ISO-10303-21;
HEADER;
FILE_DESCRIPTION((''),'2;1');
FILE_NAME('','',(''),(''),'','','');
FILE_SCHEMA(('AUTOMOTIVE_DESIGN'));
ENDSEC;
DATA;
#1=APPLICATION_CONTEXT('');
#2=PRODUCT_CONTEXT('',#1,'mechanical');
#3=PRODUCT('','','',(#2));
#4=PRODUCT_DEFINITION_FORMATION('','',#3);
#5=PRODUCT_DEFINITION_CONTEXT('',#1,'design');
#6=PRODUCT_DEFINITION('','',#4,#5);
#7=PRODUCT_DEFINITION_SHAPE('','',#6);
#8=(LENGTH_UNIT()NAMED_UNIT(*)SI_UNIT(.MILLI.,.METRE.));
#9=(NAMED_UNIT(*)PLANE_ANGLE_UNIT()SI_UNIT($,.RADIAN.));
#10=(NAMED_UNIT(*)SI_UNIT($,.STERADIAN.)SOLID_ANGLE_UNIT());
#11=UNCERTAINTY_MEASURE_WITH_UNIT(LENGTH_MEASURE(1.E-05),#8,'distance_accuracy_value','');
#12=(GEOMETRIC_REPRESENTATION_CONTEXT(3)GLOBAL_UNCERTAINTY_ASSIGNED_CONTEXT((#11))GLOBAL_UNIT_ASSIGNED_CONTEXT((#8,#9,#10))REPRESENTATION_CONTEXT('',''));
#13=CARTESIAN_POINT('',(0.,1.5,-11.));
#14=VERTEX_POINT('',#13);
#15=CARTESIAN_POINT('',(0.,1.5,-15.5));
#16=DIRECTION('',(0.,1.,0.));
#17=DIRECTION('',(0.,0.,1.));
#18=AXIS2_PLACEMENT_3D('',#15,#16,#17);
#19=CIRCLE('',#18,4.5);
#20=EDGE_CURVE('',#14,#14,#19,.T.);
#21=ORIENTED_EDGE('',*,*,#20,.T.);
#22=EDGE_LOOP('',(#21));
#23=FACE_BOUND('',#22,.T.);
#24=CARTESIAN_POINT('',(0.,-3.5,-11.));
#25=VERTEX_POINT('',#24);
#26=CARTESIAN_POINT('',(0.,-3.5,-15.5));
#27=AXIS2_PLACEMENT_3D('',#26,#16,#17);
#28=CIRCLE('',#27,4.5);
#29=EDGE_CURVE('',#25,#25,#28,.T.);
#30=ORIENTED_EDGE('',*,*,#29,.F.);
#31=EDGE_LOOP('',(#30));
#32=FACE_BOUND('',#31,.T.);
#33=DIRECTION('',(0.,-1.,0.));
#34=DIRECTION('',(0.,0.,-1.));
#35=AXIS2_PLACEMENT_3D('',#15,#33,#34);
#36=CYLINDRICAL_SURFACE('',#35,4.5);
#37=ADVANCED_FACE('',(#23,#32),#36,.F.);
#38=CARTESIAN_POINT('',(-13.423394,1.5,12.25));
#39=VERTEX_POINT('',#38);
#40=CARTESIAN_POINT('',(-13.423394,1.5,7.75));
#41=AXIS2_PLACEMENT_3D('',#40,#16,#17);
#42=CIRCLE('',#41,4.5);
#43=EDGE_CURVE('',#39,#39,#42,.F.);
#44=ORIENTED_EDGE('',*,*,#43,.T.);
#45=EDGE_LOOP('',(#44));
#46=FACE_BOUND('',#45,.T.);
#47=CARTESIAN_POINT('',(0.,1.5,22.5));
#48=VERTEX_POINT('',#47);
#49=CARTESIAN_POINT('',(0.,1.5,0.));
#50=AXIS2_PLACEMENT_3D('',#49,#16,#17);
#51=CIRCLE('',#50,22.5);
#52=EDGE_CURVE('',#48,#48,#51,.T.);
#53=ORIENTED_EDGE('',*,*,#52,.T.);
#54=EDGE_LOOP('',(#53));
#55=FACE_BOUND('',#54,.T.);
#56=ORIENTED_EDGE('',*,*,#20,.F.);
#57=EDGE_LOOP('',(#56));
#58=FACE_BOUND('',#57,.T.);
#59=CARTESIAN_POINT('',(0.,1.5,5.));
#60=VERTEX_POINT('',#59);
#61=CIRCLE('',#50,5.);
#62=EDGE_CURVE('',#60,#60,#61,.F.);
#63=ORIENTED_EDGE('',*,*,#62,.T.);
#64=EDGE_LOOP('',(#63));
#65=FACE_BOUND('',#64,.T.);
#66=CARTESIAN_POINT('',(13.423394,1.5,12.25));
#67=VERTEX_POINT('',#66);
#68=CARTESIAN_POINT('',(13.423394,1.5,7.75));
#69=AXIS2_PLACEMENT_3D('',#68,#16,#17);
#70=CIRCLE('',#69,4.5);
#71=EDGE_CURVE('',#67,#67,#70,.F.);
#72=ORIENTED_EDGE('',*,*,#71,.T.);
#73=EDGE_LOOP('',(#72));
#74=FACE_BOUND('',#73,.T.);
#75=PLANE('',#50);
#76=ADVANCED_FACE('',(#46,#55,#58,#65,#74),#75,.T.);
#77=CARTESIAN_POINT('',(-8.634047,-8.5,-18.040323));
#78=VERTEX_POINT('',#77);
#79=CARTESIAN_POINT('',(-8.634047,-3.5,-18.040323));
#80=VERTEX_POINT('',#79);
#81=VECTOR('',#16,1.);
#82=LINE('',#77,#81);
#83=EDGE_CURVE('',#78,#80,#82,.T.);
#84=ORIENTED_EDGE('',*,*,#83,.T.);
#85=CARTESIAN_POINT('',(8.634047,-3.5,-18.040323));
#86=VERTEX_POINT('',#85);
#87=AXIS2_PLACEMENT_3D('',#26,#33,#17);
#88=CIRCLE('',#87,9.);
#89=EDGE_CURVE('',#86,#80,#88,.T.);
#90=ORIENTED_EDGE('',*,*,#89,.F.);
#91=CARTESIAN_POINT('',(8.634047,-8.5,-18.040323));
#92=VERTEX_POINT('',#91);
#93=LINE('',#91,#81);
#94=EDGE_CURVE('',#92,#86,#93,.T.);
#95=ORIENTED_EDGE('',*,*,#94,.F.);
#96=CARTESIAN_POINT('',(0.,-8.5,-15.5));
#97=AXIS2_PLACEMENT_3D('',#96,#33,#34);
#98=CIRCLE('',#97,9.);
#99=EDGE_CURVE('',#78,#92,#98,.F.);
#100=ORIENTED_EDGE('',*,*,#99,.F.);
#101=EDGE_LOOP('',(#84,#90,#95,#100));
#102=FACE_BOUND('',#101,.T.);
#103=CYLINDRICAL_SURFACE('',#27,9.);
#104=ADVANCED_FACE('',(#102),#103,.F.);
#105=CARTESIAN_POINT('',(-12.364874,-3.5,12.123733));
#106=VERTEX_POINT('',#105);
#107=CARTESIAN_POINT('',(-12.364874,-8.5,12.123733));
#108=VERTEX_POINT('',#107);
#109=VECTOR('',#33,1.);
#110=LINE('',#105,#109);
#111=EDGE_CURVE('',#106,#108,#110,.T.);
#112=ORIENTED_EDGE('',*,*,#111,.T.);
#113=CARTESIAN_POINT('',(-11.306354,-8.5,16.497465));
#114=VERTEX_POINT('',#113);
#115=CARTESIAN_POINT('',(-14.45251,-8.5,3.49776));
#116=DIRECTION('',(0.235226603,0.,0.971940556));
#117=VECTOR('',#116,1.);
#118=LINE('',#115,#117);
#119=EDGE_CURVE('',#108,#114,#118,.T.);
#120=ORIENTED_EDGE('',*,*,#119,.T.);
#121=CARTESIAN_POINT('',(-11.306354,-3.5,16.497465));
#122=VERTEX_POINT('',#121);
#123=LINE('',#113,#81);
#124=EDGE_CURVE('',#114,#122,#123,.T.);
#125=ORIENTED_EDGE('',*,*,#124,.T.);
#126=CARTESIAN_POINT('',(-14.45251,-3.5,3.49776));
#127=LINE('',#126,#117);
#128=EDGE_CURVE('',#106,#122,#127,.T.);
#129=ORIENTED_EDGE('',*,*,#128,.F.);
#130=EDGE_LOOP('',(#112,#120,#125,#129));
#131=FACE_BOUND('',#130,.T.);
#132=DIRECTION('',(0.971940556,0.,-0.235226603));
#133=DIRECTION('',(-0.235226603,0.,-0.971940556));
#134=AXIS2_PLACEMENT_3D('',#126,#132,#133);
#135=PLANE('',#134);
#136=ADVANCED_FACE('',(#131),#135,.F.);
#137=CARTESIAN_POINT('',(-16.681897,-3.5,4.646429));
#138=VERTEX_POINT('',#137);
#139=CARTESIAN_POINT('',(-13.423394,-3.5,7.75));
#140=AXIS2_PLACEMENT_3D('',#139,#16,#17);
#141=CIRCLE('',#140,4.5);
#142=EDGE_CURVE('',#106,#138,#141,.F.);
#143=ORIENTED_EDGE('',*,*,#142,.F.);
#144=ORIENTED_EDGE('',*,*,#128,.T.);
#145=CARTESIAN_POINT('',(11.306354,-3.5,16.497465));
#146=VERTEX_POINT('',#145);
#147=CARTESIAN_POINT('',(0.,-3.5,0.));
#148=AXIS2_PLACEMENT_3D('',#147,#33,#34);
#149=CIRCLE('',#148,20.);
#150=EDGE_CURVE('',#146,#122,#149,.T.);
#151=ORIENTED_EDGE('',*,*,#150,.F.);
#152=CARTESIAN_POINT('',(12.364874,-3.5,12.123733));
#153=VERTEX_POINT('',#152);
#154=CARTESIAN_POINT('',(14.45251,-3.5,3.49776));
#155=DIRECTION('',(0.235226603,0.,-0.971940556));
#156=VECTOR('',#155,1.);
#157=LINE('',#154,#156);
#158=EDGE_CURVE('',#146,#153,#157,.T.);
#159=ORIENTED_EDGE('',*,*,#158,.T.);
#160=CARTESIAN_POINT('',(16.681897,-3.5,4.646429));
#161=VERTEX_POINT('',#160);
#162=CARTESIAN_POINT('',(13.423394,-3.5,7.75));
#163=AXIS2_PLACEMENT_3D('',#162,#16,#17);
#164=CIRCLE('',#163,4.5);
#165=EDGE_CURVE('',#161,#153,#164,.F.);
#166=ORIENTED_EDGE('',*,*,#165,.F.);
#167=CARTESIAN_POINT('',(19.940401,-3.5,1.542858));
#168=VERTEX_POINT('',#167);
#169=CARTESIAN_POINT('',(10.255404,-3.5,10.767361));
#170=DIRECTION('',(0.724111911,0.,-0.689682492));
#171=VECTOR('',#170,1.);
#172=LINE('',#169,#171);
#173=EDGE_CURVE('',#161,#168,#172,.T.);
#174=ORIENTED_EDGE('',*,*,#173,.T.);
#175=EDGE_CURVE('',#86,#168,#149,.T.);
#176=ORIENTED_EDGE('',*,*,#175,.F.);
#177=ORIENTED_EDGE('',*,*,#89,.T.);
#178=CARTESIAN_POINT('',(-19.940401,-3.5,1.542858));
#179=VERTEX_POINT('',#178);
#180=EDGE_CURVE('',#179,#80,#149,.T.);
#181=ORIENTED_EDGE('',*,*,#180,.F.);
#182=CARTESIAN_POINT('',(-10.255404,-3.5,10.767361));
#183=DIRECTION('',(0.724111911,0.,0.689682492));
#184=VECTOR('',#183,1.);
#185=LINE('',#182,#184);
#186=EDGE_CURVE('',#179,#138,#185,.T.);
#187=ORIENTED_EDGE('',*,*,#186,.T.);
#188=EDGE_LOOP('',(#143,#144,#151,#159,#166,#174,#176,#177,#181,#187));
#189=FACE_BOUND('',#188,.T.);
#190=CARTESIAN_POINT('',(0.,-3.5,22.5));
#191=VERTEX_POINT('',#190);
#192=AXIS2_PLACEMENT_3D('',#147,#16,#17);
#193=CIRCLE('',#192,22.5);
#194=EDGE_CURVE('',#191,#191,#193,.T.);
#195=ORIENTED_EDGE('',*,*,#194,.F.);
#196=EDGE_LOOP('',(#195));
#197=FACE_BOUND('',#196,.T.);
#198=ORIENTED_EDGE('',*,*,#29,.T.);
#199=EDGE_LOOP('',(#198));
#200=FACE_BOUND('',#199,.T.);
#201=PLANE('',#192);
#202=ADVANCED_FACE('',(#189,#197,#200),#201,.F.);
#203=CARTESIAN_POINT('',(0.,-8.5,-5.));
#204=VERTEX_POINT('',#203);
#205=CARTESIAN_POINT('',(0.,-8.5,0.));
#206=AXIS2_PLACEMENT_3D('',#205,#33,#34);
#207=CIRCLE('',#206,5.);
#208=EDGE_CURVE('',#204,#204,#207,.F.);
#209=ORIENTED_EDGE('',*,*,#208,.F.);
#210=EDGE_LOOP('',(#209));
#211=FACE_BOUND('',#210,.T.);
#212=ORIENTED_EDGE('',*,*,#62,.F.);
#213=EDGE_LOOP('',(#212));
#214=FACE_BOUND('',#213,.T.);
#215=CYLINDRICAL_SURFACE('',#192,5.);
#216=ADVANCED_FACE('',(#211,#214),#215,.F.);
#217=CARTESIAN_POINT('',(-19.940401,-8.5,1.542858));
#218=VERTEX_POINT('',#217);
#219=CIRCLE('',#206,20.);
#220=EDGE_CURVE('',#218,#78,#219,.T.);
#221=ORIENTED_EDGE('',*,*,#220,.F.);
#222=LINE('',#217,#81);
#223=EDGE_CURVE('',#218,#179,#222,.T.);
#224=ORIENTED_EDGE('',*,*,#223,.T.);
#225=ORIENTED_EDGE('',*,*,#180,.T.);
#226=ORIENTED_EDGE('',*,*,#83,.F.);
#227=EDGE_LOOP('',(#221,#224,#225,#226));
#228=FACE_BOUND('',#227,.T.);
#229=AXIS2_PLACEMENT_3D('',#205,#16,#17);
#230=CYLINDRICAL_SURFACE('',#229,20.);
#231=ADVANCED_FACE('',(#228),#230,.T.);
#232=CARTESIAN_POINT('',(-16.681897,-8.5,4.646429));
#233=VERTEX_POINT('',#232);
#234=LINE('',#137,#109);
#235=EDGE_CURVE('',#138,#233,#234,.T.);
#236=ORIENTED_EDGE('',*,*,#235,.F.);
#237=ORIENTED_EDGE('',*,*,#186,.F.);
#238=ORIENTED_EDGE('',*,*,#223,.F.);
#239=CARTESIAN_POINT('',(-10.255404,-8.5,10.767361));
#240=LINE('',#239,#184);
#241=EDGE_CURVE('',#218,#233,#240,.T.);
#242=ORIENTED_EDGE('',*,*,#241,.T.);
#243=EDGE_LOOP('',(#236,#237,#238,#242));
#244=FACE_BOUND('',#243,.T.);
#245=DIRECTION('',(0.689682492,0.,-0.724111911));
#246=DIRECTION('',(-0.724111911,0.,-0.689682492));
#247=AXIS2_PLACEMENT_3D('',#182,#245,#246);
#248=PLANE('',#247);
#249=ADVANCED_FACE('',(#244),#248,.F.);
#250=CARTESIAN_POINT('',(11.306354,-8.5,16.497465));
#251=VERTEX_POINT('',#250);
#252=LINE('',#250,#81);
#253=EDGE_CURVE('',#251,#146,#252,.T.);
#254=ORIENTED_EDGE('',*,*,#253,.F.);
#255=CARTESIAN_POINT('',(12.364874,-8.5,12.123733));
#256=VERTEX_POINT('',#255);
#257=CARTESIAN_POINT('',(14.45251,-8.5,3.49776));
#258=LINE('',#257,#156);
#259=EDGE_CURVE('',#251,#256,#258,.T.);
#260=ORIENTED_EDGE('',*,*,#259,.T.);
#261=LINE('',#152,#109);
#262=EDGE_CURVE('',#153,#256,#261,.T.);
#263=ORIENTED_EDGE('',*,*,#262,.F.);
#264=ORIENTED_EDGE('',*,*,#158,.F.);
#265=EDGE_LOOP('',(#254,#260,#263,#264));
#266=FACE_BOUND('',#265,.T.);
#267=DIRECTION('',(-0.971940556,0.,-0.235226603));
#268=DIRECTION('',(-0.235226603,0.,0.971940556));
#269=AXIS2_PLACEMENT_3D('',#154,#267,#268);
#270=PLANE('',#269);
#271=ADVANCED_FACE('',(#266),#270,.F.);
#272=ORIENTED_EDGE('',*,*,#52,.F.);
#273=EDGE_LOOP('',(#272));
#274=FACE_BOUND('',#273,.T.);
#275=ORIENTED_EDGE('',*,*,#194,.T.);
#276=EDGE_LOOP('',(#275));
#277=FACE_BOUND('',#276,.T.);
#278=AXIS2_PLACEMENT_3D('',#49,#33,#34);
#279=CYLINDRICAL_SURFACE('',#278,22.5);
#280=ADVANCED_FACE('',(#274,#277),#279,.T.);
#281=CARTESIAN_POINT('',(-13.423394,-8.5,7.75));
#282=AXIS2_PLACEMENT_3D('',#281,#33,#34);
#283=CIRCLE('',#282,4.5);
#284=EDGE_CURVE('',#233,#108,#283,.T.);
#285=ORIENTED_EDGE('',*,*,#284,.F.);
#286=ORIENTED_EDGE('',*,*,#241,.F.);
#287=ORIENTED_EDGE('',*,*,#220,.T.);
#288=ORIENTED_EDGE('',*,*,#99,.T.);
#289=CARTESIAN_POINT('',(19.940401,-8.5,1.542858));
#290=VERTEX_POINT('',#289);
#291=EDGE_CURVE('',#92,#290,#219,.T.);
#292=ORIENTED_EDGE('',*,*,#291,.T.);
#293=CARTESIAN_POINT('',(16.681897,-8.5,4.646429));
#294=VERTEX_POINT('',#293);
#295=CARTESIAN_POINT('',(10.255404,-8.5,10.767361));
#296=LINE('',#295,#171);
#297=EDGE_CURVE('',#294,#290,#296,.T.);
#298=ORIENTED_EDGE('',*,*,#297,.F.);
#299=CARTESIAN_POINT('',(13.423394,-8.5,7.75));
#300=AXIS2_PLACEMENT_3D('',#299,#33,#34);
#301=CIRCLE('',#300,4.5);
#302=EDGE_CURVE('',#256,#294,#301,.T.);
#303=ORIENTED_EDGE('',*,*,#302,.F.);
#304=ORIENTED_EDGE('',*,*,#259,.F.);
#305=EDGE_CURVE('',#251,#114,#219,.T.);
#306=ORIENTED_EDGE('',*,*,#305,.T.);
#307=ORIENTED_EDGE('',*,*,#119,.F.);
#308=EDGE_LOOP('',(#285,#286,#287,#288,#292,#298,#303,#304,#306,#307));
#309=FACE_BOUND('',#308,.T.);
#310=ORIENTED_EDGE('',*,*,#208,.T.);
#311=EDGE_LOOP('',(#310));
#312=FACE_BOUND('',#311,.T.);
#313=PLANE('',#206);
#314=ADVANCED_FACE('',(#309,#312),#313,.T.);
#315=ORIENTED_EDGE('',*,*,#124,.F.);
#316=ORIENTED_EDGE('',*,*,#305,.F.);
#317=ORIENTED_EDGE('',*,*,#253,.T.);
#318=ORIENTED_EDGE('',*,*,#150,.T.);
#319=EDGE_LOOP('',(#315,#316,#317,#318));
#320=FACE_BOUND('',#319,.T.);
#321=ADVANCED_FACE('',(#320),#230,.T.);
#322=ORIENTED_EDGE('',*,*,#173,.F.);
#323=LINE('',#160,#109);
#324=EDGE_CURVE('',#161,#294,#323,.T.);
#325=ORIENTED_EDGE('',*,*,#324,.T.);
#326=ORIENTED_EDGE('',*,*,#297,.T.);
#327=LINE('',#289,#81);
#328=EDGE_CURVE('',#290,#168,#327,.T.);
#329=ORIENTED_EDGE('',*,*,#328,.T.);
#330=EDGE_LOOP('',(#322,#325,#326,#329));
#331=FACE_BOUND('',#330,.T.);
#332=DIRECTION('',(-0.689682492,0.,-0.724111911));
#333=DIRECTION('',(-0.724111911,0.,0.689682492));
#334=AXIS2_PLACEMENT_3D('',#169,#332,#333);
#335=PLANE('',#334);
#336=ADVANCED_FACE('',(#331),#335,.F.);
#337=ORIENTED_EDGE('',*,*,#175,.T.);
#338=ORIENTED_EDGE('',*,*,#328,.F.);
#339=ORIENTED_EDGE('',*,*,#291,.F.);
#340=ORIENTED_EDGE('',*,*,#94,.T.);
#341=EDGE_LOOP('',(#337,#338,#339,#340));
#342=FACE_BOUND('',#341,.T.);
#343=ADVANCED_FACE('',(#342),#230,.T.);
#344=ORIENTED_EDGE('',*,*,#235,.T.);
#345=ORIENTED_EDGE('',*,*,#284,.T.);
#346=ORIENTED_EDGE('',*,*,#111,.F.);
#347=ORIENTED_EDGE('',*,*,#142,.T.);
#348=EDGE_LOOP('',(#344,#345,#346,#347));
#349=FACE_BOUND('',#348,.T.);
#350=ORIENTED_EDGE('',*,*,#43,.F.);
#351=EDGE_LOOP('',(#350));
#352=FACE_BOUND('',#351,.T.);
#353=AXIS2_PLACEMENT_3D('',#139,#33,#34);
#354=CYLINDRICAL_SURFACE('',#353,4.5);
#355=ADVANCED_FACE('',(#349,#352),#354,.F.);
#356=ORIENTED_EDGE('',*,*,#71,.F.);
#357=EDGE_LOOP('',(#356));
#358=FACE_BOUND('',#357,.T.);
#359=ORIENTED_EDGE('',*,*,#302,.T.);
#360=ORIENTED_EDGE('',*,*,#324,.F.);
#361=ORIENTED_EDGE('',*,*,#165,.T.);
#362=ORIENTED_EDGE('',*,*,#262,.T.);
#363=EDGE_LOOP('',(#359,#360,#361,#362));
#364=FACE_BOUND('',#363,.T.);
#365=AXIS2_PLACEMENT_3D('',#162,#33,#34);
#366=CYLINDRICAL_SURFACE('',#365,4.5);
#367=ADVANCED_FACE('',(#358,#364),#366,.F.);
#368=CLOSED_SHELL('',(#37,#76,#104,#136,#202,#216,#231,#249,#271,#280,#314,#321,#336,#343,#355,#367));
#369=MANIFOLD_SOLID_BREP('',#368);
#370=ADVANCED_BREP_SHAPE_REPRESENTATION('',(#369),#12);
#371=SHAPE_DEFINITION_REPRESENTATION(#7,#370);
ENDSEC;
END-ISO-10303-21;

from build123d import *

# Parameters (mm, degrees)
SKETCH1_R           = 22.5
BOSS_EXTRUDE1_DEPTH = 3.5
SKETCH2_R           = 9
SKETCH2_R_2         = 9.000000000000007
CUT_EXTRUDE1_DEPTH  = 33.58066911528982
SKETCH7_R           = 5
CUT_EXTRUDE2_DEPTH  = 33.58066911528982
SKETCH8_R           = 5
BOSS_EXTRUDE2_DEPTH = 5
BOSS_EXTRUDE4_START = -5
BOSS_EXTRUDE4_DEPTH = 5
CUT_EXTRUDE3_DEPTH  = 7
BOSS_EXTRUDE8_START = 5
SKETCH15_R          = 22.5
SKETCH15_R_2        = 4.5
SKETCH15_R_3        = 5
BOSS_EXTRUDE8_DEPTH = 5


with BuildPart() as part:
    # Sketch1 → Boss-Extrude1 (new, symmetric)
    with BuildSketch(Plane(origin=(0, 0, 0), x_dir=(1, 0, 0), z_dir=(0, 1, 0))):
        with Locations(Location((0, 0, 0), (0, 0, 270))):
            Circle(SKETCH1_R)
    extrude(amount=BOSS_EXTRUDE1_DEPTH, both=True)

    # Sketch2 → Cut-Extrude1 (cut, through all)
    with BuildSketch(Plane(origin=(0, 3.5, 0), x_dir=(1, 0, 0), z_dir=(0, 1, 0))):
        with Locations((4.245e-14, 15.5)):
            Circle(SKETCH2_R)
        with Locations((13.42339375865983, -7.749999999999429)):
            Circle(SKETCH2_R_2)
        with Locations((-13.423393758657767, -7.7500000000005755)):
            Circle(SKETCH2_R)
    extrude(amount=-CUT_EXTRUDE1_DEPTH, mode=Mode.SUBTRACT)

    # Sketch7 → Cut-Extrude2 (cut, through all)
    with BuildSketch(Plane(origin=(0, 3.5, 0), x_dir=(1, 0, 0), z_dir=(0, 1, 0))):
        with Locations(Location((0, 0, 0), (0, 0, 270))):
            Circle(SKETCH7_R)
    extrude(amount=-CUT_EXTRUDE2_DEPTH, mode=Mode.SUBTRACT)

    # Sketch8 → Boss-Extrude2 (add)
    with BuildSketch(Plane.XZ.offset(3.5)):
        with BuildLine():
            ThreePointArc((8.634046628681784, -18.040322580645523), (16.921597628085173, -10.661122535323484), (20, -4.9e-15))
            ThreePointArc((20, 0), (19.985094686202057, 0.7720041344048885), (19.940400961646176, 1.5428575724221159))
            ThreePointArc((19.94040096164584, 1.542857572422255), (5.629165124599421, 3.250000000000214), (11.30635433296457, 16.497465008220495))
            ThreePointArc((11.306354332964553, 16.497465008220313), (1.07592e-12, 20), (-11.306354332962771, 16.497465008221535))
            ThreePointArc((-11.30635433296279, 16.497465008221706), (-5.629165124598033, 3.250000000000197), (-19.940400961645828, 1.5428575724255662))
            ThreePointArc((-19.940400961645913, 1.542857572425538), (-17.320508075688895, -9.999999999999787), (-8.634046628681693, -18.040322580645565))
            ThreePointArc((-8.634046628682263, -18.04032258064596), (1.954e-14, -6.5000000000000036), (8.634046628682352, -18.04032258064592))
        make_face()
        with Locations(Location((0, 0, 0), (0, 0, 90))):
            Circle(SKETCH8_R, mode=Mode.SUBTRACT)
    extrude(amount=BOSS_EXTRUDE2_DEPTH)

    # Sketch9 → Boss-Extrude4 (add)
    with BuildSketch(Plane.XZ.offset(8.5).offset(BOSS_EXTRUDE4_START)):
        with BuildLine():
            Line((-16.681897360151837, 4.646428786213113), (-19.940400961645906, 1.5428575724256501))
            ThreePointArc((-19.940400961645906, 1.5428575724256497), (-5.6291651245981145, 3.250000000000062), (-11.306354332962595, 16.497465008221653))
            Line((-11.306354332962595, 16.497465008221656), (-12.364874045810183, 12.123732504111118))
            ThreePointArc((-12.364874045810181, 12.123732504111118), (-9.52627944162794, 5.50000000000032), (-16.681897360151837, 4.646428786213113))
        make_face()
        with BuildLine():
            Line((12.3648740458121, 12.123732504109935), (11.306354332964363, 16.49746500822045))
            ThreePointArc((11.306354332964363, 16.49746500822045), (5.629165124599578, 3.249999999999936), (19.940400961646137, 1.5428575724225722))
            Line((19.94040096164614, 1.5428575724225757), (16.681897360152977, 4.646428786211002))
            ThreePointArc((16.681897360152977, 4.6464287862110005), (9.526279441629708, 5.499999999999686), (12.3648740458121, 12.123732504109935))
        make_face()
    extrude(amount=BOSS_EXTRUDE4_DEPTH)

    # Sketch10 → Cut-Extrude3 (cut)
    with BuildSketch(Plane(origin=(0, 3.5, 0), x_dir=(1, 0, 0), z_dir=(0, 1, 0))):
        with BuildLine():
            ThreePointArc((-6.73691741017109, 21.467741935483897), (2.481e-14, 6.5), (6.736917410171204, 21.46774193548386))
            ThreePointArc((6.736917410171204, 21.46774193548386), (19.485571585149323, 11.250000000000961), (21.96006858310362, -4.899529347333845))
            ThreePointArc((21.96006858310362, -4.899529347333845), (5.629165124599583, -3.24999999999993), (15.223151172932472, -16.56821258814737))
            ThreePointArc((15.223151172932472, -16.56821258814737), (6.8083e-13, -22.500000000000007), (-15.223151172931468, -16.568212588148292))
            ThreePointArc((-15.223151172931468, -16.568212588148292), (-5.629165124598114, -3.2500000000000657), (-21.960068583102636, -4.899529347338252))
            ThreePointArc((-21.960068583102636, -4.899529347338252), (-19.485571585150417, 11.249999999999057), (-6.73691741017109, 21.467741935483897))
        make_face()
    extrude(amount=-CUT_EXTRUDE3_DEPTH, mode=Mode.SUBTRACT)

    # Sketch15 → Boss-Extrude8 (add)
    # profile 1 of 2: a face of its own
    with BuildSketch(Plane(origin=(0, -3.5000000000000004, 0), x_dir=(1, 0, 0), z_dir=(0, 1, 0)).offset(BOSS_EXTRUDE8_START)):
        with Locations(Location((0, 0, 0), (0, 0, 270))):
            Circle(SKETCH15_R)
        with BuildLine():
            Line((-11.306354332962597, -16.49746500822166), (-12.364874045810184, -12.12373250411112))
            ThreePointArc((-12.364874045810184, -12.123732504111118), (-17.32050807568759, -10.000000000000831), (-16.681897360151837, -4.646428786213116))
            Line((-16.681897360151837, -4.646428786213116), (-19.9404009616459, -1.5428575724256433))
            ThreePointArc((-19.940400961645906, -1.5428575724256435), (-17.320508075689144, 9.99999999999936), (-8.63404662868249, 18.04032258064519))
            ThreePointArc((-8.634046628682489, 18.040322580645185), (1.865e-14, 6.499999999999998), (8.634046628682592, 18.040322580645135))
            ThreePointArc((8.634046628682588, 18.04032258064514), (17.320508075688394, 10.000000000000643), (19.94040096164614, -1.5428575724225746))
            Line((19.94040096164614, -1.5428575724225748), (16.681897360152977, -4.646428786211005))
            ThreePointArc((16.68189736015298, -4.646428786211002), (17.601507340572077, -6.078663140883227), (17.923393758659827, -7.749999999999429))
            ThreePointArc((17.923393758659827, -7.74999999999943), (16.206077830934763, -11.286476969231293), (12.3648740458121, -12.123732504109933))
            Line((12.3648740458121, -12.123732504109936), (11.306354332964357, -16.49746500822045))
            ThreePointArc((11.30635433296436, -16.49746500822045), (1.06937e-12, -20), (-11.306354332962597, -16.49746500822166))
        make_face(mode=Mode.SUBTRACT)
        with Locations(Location((4.245e-14, 15.5, 0), (0, 0, 270))):
            Circle(SKETCH15_R_2, mode=Mode.SUBTRACT)
    # profile 2 of 2: a face of its own
    with BuildSketch(Plane(origin=(0, -3.5000000000000004, 0), x_dir=(1, 0, 0), z_dir=(0, 1, 0)).offset(BOSS_EXTRUDE8_START)):
        with BuildLine():
            Line((-19.9404009616459, -1.5428575724256433), (-16.681897360151837, -4.646428786213116))
            ThreePointArc((-16.681897360151837, -4.646428786213116), (-9.526279441627942, -5.5000000000003215), (-12.364874045810184, -12.12373250411112))
            Line((-12.364874045810184, -12.12373250411112), (-11.306354332962597, -16.49746500822166))
            ThreePointArc((-11.306354332962597, -16.49746500822166), (1.06704e-12, -20.000000000000004), (11.306354332964357, -16.49746500822045))
            Line((11.306354332964357, -16.49746500822045), (12.3648740458121, -12.123732504109936))
            ThreePointArc((12.3648740458121, -12.123732504109936), (9.526279441629708, -5.499999999999686), (16.681897360152977, -4.646428786211005))
            Line((16.681897360152977, -4.646428786211005), (19.94040096164614, -1.5428575724225746))
            ThreePointArc((19.94040096164614, -1.5428575724225746), (17.3205080756884, 10.000000000000643), (8.634046628682588, 18.04032258064514))
            ThreePointArc((8.634046628682588, 18.04032258064514), (1.902e-14, 6.5), (-8.63404662868249, 18.040322580645185))
            ThreePointArc((-8.63404662868249, 18.040322580645185), (-17.320508075689144, 9.99999999999936), (-19.9404009616459, -1.5428575724256433))
        make_face()
        with Locations(Location((0, 0, 0), (0, 0, 270))):
            Circle(SKETCH15_R_3, mode=Mode.SUBTRACT)
    extrude(amount=-BOSS_EXTRUDE8_DEPTH)


solid = part.part
